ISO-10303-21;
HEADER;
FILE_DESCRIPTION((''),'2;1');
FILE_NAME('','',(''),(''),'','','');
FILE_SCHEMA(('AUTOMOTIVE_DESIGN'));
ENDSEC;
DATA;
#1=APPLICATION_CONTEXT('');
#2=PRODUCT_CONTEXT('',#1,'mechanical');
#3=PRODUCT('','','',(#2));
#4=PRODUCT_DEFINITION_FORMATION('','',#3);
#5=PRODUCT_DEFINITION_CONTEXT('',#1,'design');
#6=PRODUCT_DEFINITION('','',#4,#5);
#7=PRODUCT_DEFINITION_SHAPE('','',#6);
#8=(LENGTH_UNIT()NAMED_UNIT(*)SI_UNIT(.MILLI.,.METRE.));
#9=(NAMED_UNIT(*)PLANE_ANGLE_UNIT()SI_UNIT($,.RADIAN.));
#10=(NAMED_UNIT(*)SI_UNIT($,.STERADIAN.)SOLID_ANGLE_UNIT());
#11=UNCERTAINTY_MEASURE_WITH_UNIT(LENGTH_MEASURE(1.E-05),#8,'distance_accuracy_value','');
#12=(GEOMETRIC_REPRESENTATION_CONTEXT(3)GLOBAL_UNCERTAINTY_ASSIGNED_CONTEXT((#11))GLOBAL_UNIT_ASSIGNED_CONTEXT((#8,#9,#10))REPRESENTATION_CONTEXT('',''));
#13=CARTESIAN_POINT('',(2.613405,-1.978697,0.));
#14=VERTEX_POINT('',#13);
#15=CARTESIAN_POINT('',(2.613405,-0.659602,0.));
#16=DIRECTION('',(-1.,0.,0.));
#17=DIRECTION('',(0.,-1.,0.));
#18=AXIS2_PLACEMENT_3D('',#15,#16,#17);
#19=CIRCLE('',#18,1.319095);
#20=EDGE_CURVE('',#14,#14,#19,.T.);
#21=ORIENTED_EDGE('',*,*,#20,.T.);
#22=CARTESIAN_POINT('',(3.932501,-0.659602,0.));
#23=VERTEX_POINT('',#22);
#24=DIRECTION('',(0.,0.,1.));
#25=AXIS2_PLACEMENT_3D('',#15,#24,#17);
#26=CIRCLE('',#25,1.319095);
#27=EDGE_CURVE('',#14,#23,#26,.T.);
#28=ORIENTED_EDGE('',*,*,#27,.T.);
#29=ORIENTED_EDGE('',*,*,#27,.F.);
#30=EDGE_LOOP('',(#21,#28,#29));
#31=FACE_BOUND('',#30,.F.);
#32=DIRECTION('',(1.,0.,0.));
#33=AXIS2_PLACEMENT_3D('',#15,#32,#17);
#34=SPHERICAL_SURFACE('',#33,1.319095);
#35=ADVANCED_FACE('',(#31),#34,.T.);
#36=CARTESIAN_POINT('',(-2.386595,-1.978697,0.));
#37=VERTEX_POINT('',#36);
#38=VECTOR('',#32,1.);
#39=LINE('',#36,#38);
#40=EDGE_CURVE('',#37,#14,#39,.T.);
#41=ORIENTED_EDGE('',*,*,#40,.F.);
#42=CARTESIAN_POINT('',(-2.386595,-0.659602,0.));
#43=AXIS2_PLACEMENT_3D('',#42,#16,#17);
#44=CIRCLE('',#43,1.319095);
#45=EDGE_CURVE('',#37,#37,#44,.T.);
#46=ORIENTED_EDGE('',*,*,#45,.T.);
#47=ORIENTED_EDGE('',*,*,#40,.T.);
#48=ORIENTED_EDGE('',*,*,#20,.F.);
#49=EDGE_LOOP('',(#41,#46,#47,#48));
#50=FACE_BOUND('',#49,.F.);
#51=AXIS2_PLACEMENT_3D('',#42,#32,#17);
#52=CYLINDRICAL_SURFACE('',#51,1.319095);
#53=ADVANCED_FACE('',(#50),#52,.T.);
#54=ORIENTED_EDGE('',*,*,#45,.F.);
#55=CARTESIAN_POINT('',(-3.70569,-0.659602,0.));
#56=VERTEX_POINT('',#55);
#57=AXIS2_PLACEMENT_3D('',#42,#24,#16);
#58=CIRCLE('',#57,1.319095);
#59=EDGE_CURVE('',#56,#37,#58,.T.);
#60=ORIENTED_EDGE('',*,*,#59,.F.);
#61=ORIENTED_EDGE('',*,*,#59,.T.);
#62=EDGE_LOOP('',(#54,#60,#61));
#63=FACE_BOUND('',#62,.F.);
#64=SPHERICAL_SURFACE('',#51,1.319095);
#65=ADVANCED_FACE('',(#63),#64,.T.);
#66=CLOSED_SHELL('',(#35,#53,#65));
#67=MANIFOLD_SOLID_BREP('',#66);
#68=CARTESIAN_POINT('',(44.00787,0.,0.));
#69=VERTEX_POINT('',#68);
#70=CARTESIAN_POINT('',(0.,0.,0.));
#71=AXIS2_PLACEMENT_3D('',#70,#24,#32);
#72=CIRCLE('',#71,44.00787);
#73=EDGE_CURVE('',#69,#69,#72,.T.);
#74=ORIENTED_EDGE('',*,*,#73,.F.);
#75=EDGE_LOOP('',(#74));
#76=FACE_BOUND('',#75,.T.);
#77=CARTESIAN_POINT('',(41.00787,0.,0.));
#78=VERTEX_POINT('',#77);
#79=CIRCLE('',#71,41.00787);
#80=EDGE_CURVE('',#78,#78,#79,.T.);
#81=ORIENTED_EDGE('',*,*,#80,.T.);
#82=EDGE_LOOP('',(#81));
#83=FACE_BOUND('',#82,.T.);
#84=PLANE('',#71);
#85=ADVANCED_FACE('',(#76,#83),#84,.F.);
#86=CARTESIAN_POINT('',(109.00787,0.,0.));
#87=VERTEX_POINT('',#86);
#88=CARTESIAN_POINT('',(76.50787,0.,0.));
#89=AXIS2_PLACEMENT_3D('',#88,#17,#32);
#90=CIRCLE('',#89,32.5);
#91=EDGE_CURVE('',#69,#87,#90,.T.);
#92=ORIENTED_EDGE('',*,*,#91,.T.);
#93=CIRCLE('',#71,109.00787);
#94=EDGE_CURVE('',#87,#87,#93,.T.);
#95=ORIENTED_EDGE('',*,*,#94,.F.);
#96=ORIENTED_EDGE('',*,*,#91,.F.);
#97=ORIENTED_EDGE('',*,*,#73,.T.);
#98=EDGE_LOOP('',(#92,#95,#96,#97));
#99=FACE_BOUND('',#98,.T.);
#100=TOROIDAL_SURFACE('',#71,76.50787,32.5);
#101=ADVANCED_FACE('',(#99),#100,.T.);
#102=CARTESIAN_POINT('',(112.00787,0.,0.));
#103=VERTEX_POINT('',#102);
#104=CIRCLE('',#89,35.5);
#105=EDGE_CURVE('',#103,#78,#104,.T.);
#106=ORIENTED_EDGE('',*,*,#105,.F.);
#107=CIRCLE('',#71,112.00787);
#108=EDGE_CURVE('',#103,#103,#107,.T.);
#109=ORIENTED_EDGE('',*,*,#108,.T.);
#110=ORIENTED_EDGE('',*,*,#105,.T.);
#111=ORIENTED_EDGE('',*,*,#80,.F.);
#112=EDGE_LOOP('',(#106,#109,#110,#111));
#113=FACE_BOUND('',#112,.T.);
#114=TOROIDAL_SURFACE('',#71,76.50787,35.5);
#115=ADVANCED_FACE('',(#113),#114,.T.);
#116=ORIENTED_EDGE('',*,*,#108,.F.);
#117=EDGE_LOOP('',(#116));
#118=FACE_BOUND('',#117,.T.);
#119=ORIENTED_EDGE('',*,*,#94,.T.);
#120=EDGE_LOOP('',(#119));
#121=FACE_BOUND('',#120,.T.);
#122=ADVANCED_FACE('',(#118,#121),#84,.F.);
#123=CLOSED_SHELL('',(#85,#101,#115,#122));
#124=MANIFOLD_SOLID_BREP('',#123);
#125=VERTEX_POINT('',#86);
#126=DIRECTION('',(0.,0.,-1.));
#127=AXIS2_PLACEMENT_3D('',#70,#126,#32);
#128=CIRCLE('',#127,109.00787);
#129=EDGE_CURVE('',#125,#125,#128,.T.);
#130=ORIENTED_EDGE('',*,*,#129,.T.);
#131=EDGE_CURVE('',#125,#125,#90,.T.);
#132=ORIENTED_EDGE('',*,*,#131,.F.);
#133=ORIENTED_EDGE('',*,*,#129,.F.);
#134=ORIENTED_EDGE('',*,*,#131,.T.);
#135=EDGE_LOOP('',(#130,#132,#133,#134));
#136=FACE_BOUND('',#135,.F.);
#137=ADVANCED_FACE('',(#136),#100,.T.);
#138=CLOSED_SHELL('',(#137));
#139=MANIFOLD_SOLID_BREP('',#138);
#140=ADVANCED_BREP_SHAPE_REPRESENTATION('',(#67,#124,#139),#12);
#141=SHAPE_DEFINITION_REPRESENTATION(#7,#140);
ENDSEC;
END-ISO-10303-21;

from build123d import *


with BuildPart() as f1:
    # F0 (on Front) → F1 (revolve)
    with BuildSketch(Plane.XZ):
        with BuildLine():
            ThreePointArc((44.0078703351, 0), (76.5078703351, -32.5), (109.0078703351, 0))
            ThreePointArc((109.0078703351, 0), (76.5078703351, 32.5), (44.0078703351, 0))
        make_face()
    revolve(axis=Axis((0, 0, -8.3772406125), (0, 0, -1)))


with BuildPart() as f2:
    # F0 (on Front) → F2 (revolve)
    with BuildSketch(Plane.XZ):
        with BuildLine():
            ThreePointArc((44.0078703351, 0), (76.5078703351, -32.5), (109.0078703351, 0))
            ThreePointArc((109.0078703351, 0), (76.5078703351, 32.5), (44.0078703351, 0))
        make_face()
        with BuildLine():
            ThreePointArc((44.0078703351, 0), (76.5078703351, 32.5), (109.0078703351, 0))
            Line((109.0078703351, 0), (112.0078703351, 0))
            ThreePointArc((112.0078703351, 0), (76.5078703351, 35.5), (41.0078703351, 0))
            Line((41.0078703351, 0), (44.0078703351, 0))
        make_face()
    revolve(axis=Axis((0, 0, 0), (0, 0, 1)))


with BuildPart() as f4:
    # F3 (on Top) → F4 (revolve)
    with BuildSketch(Plane.XY):
        with BuildLine():
            Line((-2.3865947401, -1.9786969331), (2.6134052599, -1.9786969331))
            ThreePointArc((2.6134052599, -1.9786969331), (3.5461465835, -1.5923428266), (3.9325006899, -0.659601503))
            Line((3.9325006899, -0.659601503), (-3.7056901702, -0.659601503))
            ThreePointArc((-3.7056901702, -0.659601503), (-3.3193360638, -1.5923428266), (-2.3865947401, -1.9786969331))
        make_face()
    revolve(axis=Axis((0.2188906074, -0.659601503, 0), (-1, 0, 0)))


solid = Compound([f1.part, f2.part, f4.part])
